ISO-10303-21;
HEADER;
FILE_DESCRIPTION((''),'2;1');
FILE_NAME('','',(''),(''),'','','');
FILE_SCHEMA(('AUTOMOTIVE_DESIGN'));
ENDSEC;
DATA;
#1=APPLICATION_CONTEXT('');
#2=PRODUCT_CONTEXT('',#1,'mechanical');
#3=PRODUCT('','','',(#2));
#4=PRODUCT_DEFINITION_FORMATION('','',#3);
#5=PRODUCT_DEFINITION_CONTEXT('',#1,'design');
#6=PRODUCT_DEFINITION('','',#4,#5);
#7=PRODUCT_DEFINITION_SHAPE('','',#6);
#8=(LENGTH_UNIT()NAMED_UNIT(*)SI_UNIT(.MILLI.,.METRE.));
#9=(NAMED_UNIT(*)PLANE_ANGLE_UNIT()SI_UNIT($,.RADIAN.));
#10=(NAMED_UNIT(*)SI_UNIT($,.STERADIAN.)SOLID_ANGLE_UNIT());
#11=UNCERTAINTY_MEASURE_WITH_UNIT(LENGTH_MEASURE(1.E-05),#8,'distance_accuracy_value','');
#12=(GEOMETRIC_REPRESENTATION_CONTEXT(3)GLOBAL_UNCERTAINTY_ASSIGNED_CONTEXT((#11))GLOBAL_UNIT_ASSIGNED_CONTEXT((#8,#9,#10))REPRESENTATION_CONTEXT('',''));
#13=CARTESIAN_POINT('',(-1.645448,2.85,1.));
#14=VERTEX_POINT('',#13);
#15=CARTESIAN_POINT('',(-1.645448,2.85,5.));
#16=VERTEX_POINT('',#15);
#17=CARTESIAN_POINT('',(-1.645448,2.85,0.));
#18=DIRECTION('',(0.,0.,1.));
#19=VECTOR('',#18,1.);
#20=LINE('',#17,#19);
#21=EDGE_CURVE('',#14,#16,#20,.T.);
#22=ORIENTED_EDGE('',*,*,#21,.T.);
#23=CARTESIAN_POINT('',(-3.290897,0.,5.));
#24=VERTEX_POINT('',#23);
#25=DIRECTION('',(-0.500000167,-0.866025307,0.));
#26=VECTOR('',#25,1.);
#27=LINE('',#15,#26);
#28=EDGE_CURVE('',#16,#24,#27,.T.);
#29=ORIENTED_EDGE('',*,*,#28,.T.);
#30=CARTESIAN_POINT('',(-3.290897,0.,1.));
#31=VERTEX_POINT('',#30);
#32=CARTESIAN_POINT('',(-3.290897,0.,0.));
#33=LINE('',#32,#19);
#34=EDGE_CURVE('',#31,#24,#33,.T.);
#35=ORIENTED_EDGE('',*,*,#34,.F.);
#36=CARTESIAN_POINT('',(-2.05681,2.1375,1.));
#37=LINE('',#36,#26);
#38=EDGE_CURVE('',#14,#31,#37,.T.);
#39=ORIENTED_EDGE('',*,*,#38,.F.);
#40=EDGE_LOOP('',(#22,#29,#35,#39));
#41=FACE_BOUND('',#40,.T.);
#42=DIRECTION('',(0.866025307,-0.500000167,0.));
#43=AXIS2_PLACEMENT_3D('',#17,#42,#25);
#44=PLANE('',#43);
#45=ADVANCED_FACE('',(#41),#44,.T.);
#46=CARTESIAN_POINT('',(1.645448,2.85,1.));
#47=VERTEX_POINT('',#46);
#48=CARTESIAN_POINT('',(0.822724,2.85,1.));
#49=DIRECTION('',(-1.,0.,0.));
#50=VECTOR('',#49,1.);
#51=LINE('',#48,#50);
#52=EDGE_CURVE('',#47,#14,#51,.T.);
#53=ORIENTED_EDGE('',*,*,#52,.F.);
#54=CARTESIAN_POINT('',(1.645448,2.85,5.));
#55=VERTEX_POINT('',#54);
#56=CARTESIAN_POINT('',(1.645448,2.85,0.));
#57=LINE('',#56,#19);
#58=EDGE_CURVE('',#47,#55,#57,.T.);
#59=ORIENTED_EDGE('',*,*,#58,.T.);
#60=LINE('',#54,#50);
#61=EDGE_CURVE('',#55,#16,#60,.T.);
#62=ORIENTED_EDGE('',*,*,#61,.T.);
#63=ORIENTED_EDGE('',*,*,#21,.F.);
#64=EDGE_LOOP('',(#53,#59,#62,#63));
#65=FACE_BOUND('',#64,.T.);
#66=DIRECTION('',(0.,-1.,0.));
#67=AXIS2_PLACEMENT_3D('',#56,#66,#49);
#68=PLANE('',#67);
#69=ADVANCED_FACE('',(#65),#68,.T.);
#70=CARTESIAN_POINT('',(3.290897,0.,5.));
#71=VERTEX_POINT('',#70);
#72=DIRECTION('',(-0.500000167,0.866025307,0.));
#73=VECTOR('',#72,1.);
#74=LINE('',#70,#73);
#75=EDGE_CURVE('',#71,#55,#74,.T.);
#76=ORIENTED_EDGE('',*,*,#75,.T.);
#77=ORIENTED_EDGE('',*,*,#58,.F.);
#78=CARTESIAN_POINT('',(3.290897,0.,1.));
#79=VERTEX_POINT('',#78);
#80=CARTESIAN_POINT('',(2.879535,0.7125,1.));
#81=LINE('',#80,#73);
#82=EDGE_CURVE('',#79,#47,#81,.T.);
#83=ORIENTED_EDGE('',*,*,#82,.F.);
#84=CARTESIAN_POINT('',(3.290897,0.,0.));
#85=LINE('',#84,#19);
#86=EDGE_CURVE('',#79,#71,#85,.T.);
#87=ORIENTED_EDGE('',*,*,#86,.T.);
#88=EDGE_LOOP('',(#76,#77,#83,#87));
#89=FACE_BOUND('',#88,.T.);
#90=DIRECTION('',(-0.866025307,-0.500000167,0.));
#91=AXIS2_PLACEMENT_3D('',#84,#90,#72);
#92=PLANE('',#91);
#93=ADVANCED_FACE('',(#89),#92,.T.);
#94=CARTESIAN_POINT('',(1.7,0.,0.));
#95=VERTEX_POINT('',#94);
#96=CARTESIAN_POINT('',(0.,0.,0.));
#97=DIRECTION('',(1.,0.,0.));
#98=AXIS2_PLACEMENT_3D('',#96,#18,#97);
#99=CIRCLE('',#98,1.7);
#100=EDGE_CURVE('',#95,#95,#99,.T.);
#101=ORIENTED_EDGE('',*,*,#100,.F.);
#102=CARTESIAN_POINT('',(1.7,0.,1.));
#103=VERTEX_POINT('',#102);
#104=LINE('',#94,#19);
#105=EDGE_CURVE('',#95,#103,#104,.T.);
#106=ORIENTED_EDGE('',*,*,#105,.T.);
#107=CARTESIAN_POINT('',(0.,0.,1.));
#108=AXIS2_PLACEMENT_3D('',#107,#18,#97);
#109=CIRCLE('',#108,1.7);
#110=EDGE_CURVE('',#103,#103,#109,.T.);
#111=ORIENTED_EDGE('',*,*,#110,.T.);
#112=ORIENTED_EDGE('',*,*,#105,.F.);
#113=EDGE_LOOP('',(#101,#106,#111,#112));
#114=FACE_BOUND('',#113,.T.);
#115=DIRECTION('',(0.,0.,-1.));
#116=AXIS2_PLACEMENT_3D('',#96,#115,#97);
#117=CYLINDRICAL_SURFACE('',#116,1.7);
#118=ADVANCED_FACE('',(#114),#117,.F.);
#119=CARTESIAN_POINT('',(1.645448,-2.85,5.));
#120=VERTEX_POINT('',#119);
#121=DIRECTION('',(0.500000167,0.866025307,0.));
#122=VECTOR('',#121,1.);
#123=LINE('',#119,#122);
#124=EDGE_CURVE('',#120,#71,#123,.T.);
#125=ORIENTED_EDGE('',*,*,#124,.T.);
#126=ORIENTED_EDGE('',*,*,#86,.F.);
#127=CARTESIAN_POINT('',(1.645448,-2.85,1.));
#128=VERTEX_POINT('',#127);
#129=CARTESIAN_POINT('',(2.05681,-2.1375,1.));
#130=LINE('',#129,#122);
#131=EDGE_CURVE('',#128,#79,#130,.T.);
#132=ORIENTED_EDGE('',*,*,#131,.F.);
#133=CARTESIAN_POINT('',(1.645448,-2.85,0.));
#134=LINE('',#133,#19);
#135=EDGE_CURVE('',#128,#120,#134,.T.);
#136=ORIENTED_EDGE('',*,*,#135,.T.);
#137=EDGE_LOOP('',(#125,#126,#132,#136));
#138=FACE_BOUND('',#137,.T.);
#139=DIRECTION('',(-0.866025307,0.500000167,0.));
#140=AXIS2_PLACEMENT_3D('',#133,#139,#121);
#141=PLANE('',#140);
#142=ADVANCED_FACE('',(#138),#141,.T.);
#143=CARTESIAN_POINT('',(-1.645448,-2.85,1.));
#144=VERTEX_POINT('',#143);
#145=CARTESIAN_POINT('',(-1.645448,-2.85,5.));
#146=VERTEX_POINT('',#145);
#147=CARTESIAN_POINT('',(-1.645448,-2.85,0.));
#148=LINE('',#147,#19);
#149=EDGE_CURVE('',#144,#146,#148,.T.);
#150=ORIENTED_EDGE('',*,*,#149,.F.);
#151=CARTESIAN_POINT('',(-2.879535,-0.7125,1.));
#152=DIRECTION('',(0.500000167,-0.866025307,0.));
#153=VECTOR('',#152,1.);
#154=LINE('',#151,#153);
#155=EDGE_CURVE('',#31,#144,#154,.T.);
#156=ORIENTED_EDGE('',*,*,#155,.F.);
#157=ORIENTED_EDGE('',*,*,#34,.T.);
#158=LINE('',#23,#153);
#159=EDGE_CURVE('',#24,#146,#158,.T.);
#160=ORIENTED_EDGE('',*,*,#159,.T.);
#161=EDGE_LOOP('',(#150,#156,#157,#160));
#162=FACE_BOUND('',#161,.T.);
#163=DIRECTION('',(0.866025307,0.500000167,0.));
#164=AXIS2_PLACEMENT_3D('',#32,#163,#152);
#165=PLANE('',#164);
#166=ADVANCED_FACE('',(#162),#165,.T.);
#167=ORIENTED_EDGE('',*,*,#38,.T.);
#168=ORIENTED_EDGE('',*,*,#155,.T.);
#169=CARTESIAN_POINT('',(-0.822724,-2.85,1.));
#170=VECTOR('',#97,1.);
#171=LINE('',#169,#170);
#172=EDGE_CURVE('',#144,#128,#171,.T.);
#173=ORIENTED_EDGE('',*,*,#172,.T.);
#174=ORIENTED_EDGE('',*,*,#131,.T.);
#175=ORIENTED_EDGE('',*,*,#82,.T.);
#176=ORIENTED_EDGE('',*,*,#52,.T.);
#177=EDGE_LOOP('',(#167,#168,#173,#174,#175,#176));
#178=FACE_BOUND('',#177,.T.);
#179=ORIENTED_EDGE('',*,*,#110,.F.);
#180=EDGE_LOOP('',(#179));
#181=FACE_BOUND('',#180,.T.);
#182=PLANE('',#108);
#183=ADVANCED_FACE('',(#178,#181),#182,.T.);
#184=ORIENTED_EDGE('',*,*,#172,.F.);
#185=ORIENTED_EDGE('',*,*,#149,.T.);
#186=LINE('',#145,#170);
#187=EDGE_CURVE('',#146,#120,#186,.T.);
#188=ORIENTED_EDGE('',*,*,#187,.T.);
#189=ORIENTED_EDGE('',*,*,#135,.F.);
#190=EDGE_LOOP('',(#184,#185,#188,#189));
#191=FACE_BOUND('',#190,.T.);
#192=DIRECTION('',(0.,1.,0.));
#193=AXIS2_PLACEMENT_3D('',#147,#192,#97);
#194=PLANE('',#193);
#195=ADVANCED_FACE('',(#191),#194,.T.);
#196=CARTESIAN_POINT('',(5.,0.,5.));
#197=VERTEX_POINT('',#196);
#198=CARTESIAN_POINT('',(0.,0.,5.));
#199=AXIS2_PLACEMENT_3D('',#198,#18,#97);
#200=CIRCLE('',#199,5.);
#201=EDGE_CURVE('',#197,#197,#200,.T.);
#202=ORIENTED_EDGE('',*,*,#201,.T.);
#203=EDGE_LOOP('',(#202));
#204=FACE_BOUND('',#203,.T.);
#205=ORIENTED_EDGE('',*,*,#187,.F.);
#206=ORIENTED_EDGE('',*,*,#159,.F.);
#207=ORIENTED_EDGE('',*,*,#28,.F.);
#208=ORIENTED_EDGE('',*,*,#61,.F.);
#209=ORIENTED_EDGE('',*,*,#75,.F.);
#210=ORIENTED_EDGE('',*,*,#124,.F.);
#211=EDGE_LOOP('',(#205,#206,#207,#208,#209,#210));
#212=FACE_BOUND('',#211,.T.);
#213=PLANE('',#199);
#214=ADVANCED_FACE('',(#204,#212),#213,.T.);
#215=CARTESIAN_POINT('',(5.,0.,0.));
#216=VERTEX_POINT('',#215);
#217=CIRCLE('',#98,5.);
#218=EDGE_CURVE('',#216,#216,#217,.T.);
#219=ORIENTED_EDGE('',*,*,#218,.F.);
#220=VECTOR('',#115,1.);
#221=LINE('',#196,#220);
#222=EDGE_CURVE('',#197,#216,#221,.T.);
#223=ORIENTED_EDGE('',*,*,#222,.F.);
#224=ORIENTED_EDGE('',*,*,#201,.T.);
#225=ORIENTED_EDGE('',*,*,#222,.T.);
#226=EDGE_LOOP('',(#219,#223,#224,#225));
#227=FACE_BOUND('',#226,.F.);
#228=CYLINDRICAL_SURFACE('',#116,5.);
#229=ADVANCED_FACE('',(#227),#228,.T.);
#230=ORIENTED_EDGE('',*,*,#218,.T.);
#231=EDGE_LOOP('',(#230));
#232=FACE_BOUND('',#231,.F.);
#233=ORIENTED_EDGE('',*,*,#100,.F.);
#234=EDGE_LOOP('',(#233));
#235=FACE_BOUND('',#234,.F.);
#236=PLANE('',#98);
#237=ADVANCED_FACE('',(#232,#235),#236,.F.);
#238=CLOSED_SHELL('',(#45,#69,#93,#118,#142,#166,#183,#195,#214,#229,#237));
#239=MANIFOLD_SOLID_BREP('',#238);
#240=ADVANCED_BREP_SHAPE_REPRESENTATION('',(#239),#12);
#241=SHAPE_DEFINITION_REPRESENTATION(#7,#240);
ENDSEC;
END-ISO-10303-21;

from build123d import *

# Parameters (mm, degrees)
SKETCH_R      = 5
PAD_DEPTH     = 5
SKETCH001_R   = 5
SKETCH001_R_2 = 1.7
PAD001_DEPTH  = 1


with BuildPart() as part:
    # Sketch → Pad (new body)
    with BuildSketch(Plane.XY):
        Circle(SKETCH_R)
        Polygon((-3.290897, 0), (-1.645448, -2.85), (1.645448, -2.85), (3.290897, 0), (1.645448, 2.85), (-1.645448, 2.85), align=None, mode=Mode.SUBTRACT)
    extrude(amount=PAD_DEPTH)

    # Sketch001 → Pad001 (join)
    with BuildSketch(Plane.XY):
        Circle(SKETCH001_R)
        Circle(SKETCH001_R_2, mode=Mode.SUBTRACT)
    extrude(amount=PAD001_DEPTH)


solid = part.part
